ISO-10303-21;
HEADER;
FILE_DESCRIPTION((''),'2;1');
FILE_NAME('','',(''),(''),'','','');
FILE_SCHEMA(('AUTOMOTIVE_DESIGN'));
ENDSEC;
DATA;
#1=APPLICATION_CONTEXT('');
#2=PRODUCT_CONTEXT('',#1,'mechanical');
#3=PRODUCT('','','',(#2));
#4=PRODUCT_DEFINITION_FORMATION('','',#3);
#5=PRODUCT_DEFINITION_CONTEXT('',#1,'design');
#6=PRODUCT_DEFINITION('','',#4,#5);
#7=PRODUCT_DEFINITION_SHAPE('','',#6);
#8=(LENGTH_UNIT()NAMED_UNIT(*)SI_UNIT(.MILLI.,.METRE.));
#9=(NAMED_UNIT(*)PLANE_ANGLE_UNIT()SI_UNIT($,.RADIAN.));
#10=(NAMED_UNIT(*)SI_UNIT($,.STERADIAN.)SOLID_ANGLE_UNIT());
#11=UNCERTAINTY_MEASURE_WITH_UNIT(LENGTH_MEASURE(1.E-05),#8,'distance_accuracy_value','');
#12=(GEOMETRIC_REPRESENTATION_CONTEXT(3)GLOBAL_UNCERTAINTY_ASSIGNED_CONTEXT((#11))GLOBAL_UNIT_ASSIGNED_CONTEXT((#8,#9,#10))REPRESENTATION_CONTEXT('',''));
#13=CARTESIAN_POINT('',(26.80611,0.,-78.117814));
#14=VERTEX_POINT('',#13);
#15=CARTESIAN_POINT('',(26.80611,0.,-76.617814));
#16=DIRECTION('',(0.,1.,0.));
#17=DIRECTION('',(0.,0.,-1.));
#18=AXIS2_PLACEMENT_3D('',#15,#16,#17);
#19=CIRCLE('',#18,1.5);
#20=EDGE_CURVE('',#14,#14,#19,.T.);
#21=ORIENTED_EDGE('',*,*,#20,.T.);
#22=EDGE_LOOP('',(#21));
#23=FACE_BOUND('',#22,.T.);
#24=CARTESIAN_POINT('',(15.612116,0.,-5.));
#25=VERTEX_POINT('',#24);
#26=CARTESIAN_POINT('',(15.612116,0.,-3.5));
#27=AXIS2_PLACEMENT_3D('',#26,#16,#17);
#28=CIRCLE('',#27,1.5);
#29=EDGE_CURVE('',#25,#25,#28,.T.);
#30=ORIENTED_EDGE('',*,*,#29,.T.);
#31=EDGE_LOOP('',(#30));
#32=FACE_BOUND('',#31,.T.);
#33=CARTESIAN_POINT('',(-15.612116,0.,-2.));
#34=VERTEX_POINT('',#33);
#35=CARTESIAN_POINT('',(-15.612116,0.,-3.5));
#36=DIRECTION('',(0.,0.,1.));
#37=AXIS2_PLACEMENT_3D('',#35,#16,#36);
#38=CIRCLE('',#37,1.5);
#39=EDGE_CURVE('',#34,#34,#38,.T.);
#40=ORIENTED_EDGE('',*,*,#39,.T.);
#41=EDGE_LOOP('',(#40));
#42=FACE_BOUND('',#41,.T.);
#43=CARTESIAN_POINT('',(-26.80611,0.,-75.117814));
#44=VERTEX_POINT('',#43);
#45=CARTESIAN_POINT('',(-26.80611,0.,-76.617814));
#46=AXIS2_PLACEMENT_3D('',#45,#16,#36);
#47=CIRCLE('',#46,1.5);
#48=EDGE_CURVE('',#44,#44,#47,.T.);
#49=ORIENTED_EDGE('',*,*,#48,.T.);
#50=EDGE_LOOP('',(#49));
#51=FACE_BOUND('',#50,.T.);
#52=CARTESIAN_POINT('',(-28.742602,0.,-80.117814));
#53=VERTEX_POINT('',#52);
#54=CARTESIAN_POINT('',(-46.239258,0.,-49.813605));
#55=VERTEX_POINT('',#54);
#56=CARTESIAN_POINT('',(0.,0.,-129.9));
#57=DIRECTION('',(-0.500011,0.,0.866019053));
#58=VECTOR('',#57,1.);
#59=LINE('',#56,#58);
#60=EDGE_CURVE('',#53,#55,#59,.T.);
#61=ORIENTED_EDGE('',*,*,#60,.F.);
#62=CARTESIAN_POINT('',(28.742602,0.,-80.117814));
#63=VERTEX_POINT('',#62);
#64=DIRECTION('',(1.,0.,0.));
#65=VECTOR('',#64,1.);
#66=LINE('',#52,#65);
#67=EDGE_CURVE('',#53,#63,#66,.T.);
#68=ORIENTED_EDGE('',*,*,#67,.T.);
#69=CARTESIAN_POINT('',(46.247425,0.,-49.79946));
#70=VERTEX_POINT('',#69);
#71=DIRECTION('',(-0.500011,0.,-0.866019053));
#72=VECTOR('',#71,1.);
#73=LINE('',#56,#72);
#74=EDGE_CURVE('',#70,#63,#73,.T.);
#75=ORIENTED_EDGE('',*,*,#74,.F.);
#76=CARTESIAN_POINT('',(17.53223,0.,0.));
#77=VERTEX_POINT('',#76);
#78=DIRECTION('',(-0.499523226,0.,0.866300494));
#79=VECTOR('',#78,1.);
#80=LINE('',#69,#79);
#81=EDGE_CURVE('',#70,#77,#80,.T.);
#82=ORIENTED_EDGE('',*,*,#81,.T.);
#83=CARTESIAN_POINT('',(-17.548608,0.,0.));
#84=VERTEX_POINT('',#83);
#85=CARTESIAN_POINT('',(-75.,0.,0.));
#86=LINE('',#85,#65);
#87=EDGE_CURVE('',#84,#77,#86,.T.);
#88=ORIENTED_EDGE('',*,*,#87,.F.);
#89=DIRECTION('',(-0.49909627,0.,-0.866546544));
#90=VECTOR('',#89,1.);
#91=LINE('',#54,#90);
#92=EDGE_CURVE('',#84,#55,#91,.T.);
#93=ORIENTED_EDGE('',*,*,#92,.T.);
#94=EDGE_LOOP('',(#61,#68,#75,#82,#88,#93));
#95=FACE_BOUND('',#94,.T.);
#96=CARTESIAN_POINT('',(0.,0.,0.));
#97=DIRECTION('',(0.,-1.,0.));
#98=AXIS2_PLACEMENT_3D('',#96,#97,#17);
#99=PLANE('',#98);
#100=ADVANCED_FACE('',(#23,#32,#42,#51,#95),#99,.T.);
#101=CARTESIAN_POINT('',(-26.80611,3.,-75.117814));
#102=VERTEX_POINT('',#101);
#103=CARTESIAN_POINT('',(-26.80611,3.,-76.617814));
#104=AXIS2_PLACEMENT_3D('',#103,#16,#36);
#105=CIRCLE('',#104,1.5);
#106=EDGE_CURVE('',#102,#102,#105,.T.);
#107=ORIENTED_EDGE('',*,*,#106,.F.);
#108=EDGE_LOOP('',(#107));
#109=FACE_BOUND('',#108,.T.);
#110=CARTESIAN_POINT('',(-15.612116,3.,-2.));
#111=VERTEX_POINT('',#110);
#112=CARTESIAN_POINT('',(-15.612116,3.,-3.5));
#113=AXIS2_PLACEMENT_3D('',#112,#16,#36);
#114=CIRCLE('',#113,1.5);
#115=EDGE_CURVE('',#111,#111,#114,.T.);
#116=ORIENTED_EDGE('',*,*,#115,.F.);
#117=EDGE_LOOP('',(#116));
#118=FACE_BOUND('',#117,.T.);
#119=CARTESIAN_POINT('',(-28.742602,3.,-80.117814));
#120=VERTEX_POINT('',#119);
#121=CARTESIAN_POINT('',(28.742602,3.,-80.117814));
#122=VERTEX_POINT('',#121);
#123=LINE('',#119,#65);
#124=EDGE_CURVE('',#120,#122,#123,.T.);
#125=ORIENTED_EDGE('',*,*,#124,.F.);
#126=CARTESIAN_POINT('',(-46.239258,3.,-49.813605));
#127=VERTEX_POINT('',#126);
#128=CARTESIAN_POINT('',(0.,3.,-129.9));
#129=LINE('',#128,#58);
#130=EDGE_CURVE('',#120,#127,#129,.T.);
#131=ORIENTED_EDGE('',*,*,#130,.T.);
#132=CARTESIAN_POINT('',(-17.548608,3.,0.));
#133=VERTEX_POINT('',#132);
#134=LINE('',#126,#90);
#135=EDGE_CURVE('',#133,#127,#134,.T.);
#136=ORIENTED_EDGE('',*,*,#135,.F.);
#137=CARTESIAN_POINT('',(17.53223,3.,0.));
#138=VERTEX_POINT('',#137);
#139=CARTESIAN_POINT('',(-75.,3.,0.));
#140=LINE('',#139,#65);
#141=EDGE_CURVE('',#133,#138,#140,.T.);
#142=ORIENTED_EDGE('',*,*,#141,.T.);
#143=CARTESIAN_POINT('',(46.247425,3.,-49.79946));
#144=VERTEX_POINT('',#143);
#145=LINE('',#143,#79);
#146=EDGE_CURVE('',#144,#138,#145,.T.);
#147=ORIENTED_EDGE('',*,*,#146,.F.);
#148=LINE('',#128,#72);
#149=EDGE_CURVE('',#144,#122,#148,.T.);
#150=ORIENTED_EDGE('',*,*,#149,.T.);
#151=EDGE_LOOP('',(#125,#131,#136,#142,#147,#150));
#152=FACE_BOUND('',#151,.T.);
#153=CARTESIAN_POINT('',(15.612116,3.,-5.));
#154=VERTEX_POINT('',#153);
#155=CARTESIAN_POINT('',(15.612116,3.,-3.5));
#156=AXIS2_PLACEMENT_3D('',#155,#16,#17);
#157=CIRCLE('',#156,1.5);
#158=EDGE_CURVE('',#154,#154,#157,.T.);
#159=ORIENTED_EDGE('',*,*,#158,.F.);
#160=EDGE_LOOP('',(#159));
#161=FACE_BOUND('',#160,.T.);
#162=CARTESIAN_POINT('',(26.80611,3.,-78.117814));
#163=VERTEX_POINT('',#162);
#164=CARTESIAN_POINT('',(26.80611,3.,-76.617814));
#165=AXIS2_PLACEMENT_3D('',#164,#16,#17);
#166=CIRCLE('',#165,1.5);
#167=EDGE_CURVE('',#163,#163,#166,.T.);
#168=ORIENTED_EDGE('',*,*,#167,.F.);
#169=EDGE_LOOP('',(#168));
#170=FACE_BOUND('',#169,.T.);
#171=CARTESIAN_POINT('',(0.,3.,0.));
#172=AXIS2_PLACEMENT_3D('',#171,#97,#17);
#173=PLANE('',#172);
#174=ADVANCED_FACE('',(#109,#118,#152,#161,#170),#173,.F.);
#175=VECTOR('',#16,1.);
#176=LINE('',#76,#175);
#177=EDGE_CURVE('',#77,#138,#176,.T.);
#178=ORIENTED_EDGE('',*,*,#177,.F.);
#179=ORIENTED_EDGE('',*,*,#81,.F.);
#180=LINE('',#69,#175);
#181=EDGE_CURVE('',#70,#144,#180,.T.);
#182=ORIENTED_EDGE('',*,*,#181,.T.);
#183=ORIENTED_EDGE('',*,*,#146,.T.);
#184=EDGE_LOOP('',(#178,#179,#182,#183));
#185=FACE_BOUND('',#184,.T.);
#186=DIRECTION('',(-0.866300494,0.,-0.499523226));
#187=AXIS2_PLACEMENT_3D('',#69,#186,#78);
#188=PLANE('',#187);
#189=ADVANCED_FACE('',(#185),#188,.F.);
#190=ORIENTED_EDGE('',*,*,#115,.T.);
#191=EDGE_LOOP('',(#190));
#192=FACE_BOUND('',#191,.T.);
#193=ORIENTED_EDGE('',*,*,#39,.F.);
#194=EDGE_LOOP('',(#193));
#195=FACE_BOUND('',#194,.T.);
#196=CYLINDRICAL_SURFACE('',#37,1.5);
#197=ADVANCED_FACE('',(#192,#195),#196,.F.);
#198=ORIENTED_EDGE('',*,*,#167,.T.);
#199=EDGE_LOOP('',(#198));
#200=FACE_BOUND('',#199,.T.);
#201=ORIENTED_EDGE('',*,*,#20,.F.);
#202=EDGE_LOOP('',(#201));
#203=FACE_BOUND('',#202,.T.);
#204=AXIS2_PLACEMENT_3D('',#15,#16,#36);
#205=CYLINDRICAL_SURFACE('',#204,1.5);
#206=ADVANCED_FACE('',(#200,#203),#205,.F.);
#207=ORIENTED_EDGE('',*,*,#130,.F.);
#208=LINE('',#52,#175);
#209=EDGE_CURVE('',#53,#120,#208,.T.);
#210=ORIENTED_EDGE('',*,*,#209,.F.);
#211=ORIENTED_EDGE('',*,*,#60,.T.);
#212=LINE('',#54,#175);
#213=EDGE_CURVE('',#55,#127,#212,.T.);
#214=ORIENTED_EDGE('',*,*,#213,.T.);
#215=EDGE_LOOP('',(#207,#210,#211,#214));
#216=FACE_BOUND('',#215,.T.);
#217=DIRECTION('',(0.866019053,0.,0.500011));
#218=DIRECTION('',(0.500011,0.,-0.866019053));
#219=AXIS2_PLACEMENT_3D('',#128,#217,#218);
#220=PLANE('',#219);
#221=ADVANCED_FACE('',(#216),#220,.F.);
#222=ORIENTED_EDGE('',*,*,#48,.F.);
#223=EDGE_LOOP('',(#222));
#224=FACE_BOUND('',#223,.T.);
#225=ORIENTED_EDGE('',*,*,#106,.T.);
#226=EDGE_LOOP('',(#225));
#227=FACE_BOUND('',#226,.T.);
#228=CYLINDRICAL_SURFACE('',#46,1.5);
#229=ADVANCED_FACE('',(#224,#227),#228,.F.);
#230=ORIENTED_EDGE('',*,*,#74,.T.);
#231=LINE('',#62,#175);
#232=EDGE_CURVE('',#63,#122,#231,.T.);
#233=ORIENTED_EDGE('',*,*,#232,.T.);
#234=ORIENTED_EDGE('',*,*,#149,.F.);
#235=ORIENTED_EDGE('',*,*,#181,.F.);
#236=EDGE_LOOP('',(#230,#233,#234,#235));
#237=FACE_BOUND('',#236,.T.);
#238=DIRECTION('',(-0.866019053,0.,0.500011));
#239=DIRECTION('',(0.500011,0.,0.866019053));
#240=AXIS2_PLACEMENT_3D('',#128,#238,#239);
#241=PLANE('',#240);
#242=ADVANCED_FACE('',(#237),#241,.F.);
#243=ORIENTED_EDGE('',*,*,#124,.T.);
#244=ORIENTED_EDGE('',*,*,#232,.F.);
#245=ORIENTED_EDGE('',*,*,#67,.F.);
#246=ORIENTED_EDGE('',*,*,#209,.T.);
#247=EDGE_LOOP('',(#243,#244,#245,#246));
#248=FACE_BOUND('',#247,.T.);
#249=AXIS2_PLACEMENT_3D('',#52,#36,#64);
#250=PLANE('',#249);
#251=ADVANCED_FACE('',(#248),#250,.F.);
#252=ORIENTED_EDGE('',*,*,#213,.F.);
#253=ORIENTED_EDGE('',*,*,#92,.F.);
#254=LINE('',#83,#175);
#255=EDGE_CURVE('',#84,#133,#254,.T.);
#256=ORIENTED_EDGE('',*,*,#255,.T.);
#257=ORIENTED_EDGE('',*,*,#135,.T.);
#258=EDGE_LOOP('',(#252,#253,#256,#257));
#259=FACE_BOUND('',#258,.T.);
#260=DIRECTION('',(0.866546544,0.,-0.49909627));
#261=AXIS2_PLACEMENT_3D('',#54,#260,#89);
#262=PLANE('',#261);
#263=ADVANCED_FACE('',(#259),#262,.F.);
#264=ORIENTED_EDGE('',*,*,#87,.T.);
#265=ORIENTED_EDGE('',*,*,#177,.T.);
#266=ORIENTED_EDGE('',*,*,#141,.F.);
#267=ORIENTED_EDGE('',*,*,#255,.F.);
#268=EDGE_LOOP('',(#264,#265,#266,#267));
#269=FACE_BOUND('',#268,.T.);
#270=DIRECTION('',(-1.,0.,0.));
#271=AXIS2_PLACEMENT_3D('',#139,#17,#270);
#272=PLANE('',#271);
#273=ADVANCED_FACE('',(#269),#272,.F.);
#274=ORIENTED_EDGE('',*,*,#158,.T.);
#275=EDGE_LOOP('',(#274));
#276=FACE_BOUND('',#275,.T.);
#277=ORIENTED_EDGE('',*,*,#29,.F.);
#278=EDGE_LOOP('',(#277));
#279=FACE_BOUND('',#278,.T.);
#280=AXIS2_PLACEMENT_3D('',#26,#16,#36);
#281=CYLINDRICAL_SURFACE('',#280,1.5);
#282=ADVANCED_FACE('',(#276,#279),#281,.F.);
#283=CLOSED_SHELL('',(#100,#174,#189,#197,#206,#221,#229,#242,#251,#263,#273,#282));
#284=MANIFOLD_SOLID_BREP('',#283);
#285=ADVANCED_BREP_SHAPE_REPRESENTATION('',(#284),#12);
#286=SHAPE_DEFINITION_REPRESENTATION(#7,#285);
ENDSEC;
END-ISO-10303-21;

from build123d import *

# Parameters (mm, degrees)
RESSALTO_EXTRUS_O1_DEPTH = 3
CORTE_EXTRUS_O2_DEPTH    = 151.026697624
ESBO_O5_R                = 1.5
CORTE_EXTRUS_O3_DEPTH    = 93.556406403


with BuildPart() as part:
    # Esboço1 → Ressalto-extrusão1 (new body)
    with BuildSketch(Plane(origin=(0, 0, 0), x_dir=(1, 0, 0), z_dir=(0, 1, 0))):
        Polygon((-75, 0), (75, 0), (0, 129.9), align=None)
    extrude(amount=RESSALTO_EXTRUS_O1_DEPTH)

    # Esboço4 → Corte-extrusão2 (cut, through all)
    with BuildSketch(Plane(origin=(0, 3, 0), x_dir=(1, 0, 0), z_dir=(0, 1, 0))):
        Polygon((-28.742601802, 80.117813679), (28.742601802, 80.117813679), (0, 129.9), align=None)
        Polygon((-46.239258354, 49.813604531), (-17.548607665, 0), (-75, 0), align=None)
        Polygon((17.532230415, 0), (75, 0), (46.247424766, 49.799460305), align=None)
    extrude(amount=-CORTE_EXTRUS_O2_DEPTH, mode=Mode.SUBTRACT)

    # Esboço5 → Corte-extrusão3 (cut, through all)
    with BuildSketch(Plane(origin=(0, 3, 0), x_dir=(1, 0, 0), z_dir=(0, 1, 0))):
        with Locations(Location((-26.806110129, 76.617813679, 0), (0, 0, 270))):
            Circle(ESBO_O5_R)
        with Locations(Location((26.806110129, 76.617813679, 0), (0, 0, 90))):
            Circle(ESBO_O5_R)
        with Locations(Location((-15.612115992, 3.5, 0), (0, 0, 270))):
            Circle(ESBO_O5_R)
        with Locations(Location((15.612115992, 3.5, 0), (0, 0, 90))):
            Circle(ESBO_O5_R)
    extrude(amount=-CORTE_EXTRUS_O3_DEPTH, mode=Mode.SUBTRACT)


solid = part.part
